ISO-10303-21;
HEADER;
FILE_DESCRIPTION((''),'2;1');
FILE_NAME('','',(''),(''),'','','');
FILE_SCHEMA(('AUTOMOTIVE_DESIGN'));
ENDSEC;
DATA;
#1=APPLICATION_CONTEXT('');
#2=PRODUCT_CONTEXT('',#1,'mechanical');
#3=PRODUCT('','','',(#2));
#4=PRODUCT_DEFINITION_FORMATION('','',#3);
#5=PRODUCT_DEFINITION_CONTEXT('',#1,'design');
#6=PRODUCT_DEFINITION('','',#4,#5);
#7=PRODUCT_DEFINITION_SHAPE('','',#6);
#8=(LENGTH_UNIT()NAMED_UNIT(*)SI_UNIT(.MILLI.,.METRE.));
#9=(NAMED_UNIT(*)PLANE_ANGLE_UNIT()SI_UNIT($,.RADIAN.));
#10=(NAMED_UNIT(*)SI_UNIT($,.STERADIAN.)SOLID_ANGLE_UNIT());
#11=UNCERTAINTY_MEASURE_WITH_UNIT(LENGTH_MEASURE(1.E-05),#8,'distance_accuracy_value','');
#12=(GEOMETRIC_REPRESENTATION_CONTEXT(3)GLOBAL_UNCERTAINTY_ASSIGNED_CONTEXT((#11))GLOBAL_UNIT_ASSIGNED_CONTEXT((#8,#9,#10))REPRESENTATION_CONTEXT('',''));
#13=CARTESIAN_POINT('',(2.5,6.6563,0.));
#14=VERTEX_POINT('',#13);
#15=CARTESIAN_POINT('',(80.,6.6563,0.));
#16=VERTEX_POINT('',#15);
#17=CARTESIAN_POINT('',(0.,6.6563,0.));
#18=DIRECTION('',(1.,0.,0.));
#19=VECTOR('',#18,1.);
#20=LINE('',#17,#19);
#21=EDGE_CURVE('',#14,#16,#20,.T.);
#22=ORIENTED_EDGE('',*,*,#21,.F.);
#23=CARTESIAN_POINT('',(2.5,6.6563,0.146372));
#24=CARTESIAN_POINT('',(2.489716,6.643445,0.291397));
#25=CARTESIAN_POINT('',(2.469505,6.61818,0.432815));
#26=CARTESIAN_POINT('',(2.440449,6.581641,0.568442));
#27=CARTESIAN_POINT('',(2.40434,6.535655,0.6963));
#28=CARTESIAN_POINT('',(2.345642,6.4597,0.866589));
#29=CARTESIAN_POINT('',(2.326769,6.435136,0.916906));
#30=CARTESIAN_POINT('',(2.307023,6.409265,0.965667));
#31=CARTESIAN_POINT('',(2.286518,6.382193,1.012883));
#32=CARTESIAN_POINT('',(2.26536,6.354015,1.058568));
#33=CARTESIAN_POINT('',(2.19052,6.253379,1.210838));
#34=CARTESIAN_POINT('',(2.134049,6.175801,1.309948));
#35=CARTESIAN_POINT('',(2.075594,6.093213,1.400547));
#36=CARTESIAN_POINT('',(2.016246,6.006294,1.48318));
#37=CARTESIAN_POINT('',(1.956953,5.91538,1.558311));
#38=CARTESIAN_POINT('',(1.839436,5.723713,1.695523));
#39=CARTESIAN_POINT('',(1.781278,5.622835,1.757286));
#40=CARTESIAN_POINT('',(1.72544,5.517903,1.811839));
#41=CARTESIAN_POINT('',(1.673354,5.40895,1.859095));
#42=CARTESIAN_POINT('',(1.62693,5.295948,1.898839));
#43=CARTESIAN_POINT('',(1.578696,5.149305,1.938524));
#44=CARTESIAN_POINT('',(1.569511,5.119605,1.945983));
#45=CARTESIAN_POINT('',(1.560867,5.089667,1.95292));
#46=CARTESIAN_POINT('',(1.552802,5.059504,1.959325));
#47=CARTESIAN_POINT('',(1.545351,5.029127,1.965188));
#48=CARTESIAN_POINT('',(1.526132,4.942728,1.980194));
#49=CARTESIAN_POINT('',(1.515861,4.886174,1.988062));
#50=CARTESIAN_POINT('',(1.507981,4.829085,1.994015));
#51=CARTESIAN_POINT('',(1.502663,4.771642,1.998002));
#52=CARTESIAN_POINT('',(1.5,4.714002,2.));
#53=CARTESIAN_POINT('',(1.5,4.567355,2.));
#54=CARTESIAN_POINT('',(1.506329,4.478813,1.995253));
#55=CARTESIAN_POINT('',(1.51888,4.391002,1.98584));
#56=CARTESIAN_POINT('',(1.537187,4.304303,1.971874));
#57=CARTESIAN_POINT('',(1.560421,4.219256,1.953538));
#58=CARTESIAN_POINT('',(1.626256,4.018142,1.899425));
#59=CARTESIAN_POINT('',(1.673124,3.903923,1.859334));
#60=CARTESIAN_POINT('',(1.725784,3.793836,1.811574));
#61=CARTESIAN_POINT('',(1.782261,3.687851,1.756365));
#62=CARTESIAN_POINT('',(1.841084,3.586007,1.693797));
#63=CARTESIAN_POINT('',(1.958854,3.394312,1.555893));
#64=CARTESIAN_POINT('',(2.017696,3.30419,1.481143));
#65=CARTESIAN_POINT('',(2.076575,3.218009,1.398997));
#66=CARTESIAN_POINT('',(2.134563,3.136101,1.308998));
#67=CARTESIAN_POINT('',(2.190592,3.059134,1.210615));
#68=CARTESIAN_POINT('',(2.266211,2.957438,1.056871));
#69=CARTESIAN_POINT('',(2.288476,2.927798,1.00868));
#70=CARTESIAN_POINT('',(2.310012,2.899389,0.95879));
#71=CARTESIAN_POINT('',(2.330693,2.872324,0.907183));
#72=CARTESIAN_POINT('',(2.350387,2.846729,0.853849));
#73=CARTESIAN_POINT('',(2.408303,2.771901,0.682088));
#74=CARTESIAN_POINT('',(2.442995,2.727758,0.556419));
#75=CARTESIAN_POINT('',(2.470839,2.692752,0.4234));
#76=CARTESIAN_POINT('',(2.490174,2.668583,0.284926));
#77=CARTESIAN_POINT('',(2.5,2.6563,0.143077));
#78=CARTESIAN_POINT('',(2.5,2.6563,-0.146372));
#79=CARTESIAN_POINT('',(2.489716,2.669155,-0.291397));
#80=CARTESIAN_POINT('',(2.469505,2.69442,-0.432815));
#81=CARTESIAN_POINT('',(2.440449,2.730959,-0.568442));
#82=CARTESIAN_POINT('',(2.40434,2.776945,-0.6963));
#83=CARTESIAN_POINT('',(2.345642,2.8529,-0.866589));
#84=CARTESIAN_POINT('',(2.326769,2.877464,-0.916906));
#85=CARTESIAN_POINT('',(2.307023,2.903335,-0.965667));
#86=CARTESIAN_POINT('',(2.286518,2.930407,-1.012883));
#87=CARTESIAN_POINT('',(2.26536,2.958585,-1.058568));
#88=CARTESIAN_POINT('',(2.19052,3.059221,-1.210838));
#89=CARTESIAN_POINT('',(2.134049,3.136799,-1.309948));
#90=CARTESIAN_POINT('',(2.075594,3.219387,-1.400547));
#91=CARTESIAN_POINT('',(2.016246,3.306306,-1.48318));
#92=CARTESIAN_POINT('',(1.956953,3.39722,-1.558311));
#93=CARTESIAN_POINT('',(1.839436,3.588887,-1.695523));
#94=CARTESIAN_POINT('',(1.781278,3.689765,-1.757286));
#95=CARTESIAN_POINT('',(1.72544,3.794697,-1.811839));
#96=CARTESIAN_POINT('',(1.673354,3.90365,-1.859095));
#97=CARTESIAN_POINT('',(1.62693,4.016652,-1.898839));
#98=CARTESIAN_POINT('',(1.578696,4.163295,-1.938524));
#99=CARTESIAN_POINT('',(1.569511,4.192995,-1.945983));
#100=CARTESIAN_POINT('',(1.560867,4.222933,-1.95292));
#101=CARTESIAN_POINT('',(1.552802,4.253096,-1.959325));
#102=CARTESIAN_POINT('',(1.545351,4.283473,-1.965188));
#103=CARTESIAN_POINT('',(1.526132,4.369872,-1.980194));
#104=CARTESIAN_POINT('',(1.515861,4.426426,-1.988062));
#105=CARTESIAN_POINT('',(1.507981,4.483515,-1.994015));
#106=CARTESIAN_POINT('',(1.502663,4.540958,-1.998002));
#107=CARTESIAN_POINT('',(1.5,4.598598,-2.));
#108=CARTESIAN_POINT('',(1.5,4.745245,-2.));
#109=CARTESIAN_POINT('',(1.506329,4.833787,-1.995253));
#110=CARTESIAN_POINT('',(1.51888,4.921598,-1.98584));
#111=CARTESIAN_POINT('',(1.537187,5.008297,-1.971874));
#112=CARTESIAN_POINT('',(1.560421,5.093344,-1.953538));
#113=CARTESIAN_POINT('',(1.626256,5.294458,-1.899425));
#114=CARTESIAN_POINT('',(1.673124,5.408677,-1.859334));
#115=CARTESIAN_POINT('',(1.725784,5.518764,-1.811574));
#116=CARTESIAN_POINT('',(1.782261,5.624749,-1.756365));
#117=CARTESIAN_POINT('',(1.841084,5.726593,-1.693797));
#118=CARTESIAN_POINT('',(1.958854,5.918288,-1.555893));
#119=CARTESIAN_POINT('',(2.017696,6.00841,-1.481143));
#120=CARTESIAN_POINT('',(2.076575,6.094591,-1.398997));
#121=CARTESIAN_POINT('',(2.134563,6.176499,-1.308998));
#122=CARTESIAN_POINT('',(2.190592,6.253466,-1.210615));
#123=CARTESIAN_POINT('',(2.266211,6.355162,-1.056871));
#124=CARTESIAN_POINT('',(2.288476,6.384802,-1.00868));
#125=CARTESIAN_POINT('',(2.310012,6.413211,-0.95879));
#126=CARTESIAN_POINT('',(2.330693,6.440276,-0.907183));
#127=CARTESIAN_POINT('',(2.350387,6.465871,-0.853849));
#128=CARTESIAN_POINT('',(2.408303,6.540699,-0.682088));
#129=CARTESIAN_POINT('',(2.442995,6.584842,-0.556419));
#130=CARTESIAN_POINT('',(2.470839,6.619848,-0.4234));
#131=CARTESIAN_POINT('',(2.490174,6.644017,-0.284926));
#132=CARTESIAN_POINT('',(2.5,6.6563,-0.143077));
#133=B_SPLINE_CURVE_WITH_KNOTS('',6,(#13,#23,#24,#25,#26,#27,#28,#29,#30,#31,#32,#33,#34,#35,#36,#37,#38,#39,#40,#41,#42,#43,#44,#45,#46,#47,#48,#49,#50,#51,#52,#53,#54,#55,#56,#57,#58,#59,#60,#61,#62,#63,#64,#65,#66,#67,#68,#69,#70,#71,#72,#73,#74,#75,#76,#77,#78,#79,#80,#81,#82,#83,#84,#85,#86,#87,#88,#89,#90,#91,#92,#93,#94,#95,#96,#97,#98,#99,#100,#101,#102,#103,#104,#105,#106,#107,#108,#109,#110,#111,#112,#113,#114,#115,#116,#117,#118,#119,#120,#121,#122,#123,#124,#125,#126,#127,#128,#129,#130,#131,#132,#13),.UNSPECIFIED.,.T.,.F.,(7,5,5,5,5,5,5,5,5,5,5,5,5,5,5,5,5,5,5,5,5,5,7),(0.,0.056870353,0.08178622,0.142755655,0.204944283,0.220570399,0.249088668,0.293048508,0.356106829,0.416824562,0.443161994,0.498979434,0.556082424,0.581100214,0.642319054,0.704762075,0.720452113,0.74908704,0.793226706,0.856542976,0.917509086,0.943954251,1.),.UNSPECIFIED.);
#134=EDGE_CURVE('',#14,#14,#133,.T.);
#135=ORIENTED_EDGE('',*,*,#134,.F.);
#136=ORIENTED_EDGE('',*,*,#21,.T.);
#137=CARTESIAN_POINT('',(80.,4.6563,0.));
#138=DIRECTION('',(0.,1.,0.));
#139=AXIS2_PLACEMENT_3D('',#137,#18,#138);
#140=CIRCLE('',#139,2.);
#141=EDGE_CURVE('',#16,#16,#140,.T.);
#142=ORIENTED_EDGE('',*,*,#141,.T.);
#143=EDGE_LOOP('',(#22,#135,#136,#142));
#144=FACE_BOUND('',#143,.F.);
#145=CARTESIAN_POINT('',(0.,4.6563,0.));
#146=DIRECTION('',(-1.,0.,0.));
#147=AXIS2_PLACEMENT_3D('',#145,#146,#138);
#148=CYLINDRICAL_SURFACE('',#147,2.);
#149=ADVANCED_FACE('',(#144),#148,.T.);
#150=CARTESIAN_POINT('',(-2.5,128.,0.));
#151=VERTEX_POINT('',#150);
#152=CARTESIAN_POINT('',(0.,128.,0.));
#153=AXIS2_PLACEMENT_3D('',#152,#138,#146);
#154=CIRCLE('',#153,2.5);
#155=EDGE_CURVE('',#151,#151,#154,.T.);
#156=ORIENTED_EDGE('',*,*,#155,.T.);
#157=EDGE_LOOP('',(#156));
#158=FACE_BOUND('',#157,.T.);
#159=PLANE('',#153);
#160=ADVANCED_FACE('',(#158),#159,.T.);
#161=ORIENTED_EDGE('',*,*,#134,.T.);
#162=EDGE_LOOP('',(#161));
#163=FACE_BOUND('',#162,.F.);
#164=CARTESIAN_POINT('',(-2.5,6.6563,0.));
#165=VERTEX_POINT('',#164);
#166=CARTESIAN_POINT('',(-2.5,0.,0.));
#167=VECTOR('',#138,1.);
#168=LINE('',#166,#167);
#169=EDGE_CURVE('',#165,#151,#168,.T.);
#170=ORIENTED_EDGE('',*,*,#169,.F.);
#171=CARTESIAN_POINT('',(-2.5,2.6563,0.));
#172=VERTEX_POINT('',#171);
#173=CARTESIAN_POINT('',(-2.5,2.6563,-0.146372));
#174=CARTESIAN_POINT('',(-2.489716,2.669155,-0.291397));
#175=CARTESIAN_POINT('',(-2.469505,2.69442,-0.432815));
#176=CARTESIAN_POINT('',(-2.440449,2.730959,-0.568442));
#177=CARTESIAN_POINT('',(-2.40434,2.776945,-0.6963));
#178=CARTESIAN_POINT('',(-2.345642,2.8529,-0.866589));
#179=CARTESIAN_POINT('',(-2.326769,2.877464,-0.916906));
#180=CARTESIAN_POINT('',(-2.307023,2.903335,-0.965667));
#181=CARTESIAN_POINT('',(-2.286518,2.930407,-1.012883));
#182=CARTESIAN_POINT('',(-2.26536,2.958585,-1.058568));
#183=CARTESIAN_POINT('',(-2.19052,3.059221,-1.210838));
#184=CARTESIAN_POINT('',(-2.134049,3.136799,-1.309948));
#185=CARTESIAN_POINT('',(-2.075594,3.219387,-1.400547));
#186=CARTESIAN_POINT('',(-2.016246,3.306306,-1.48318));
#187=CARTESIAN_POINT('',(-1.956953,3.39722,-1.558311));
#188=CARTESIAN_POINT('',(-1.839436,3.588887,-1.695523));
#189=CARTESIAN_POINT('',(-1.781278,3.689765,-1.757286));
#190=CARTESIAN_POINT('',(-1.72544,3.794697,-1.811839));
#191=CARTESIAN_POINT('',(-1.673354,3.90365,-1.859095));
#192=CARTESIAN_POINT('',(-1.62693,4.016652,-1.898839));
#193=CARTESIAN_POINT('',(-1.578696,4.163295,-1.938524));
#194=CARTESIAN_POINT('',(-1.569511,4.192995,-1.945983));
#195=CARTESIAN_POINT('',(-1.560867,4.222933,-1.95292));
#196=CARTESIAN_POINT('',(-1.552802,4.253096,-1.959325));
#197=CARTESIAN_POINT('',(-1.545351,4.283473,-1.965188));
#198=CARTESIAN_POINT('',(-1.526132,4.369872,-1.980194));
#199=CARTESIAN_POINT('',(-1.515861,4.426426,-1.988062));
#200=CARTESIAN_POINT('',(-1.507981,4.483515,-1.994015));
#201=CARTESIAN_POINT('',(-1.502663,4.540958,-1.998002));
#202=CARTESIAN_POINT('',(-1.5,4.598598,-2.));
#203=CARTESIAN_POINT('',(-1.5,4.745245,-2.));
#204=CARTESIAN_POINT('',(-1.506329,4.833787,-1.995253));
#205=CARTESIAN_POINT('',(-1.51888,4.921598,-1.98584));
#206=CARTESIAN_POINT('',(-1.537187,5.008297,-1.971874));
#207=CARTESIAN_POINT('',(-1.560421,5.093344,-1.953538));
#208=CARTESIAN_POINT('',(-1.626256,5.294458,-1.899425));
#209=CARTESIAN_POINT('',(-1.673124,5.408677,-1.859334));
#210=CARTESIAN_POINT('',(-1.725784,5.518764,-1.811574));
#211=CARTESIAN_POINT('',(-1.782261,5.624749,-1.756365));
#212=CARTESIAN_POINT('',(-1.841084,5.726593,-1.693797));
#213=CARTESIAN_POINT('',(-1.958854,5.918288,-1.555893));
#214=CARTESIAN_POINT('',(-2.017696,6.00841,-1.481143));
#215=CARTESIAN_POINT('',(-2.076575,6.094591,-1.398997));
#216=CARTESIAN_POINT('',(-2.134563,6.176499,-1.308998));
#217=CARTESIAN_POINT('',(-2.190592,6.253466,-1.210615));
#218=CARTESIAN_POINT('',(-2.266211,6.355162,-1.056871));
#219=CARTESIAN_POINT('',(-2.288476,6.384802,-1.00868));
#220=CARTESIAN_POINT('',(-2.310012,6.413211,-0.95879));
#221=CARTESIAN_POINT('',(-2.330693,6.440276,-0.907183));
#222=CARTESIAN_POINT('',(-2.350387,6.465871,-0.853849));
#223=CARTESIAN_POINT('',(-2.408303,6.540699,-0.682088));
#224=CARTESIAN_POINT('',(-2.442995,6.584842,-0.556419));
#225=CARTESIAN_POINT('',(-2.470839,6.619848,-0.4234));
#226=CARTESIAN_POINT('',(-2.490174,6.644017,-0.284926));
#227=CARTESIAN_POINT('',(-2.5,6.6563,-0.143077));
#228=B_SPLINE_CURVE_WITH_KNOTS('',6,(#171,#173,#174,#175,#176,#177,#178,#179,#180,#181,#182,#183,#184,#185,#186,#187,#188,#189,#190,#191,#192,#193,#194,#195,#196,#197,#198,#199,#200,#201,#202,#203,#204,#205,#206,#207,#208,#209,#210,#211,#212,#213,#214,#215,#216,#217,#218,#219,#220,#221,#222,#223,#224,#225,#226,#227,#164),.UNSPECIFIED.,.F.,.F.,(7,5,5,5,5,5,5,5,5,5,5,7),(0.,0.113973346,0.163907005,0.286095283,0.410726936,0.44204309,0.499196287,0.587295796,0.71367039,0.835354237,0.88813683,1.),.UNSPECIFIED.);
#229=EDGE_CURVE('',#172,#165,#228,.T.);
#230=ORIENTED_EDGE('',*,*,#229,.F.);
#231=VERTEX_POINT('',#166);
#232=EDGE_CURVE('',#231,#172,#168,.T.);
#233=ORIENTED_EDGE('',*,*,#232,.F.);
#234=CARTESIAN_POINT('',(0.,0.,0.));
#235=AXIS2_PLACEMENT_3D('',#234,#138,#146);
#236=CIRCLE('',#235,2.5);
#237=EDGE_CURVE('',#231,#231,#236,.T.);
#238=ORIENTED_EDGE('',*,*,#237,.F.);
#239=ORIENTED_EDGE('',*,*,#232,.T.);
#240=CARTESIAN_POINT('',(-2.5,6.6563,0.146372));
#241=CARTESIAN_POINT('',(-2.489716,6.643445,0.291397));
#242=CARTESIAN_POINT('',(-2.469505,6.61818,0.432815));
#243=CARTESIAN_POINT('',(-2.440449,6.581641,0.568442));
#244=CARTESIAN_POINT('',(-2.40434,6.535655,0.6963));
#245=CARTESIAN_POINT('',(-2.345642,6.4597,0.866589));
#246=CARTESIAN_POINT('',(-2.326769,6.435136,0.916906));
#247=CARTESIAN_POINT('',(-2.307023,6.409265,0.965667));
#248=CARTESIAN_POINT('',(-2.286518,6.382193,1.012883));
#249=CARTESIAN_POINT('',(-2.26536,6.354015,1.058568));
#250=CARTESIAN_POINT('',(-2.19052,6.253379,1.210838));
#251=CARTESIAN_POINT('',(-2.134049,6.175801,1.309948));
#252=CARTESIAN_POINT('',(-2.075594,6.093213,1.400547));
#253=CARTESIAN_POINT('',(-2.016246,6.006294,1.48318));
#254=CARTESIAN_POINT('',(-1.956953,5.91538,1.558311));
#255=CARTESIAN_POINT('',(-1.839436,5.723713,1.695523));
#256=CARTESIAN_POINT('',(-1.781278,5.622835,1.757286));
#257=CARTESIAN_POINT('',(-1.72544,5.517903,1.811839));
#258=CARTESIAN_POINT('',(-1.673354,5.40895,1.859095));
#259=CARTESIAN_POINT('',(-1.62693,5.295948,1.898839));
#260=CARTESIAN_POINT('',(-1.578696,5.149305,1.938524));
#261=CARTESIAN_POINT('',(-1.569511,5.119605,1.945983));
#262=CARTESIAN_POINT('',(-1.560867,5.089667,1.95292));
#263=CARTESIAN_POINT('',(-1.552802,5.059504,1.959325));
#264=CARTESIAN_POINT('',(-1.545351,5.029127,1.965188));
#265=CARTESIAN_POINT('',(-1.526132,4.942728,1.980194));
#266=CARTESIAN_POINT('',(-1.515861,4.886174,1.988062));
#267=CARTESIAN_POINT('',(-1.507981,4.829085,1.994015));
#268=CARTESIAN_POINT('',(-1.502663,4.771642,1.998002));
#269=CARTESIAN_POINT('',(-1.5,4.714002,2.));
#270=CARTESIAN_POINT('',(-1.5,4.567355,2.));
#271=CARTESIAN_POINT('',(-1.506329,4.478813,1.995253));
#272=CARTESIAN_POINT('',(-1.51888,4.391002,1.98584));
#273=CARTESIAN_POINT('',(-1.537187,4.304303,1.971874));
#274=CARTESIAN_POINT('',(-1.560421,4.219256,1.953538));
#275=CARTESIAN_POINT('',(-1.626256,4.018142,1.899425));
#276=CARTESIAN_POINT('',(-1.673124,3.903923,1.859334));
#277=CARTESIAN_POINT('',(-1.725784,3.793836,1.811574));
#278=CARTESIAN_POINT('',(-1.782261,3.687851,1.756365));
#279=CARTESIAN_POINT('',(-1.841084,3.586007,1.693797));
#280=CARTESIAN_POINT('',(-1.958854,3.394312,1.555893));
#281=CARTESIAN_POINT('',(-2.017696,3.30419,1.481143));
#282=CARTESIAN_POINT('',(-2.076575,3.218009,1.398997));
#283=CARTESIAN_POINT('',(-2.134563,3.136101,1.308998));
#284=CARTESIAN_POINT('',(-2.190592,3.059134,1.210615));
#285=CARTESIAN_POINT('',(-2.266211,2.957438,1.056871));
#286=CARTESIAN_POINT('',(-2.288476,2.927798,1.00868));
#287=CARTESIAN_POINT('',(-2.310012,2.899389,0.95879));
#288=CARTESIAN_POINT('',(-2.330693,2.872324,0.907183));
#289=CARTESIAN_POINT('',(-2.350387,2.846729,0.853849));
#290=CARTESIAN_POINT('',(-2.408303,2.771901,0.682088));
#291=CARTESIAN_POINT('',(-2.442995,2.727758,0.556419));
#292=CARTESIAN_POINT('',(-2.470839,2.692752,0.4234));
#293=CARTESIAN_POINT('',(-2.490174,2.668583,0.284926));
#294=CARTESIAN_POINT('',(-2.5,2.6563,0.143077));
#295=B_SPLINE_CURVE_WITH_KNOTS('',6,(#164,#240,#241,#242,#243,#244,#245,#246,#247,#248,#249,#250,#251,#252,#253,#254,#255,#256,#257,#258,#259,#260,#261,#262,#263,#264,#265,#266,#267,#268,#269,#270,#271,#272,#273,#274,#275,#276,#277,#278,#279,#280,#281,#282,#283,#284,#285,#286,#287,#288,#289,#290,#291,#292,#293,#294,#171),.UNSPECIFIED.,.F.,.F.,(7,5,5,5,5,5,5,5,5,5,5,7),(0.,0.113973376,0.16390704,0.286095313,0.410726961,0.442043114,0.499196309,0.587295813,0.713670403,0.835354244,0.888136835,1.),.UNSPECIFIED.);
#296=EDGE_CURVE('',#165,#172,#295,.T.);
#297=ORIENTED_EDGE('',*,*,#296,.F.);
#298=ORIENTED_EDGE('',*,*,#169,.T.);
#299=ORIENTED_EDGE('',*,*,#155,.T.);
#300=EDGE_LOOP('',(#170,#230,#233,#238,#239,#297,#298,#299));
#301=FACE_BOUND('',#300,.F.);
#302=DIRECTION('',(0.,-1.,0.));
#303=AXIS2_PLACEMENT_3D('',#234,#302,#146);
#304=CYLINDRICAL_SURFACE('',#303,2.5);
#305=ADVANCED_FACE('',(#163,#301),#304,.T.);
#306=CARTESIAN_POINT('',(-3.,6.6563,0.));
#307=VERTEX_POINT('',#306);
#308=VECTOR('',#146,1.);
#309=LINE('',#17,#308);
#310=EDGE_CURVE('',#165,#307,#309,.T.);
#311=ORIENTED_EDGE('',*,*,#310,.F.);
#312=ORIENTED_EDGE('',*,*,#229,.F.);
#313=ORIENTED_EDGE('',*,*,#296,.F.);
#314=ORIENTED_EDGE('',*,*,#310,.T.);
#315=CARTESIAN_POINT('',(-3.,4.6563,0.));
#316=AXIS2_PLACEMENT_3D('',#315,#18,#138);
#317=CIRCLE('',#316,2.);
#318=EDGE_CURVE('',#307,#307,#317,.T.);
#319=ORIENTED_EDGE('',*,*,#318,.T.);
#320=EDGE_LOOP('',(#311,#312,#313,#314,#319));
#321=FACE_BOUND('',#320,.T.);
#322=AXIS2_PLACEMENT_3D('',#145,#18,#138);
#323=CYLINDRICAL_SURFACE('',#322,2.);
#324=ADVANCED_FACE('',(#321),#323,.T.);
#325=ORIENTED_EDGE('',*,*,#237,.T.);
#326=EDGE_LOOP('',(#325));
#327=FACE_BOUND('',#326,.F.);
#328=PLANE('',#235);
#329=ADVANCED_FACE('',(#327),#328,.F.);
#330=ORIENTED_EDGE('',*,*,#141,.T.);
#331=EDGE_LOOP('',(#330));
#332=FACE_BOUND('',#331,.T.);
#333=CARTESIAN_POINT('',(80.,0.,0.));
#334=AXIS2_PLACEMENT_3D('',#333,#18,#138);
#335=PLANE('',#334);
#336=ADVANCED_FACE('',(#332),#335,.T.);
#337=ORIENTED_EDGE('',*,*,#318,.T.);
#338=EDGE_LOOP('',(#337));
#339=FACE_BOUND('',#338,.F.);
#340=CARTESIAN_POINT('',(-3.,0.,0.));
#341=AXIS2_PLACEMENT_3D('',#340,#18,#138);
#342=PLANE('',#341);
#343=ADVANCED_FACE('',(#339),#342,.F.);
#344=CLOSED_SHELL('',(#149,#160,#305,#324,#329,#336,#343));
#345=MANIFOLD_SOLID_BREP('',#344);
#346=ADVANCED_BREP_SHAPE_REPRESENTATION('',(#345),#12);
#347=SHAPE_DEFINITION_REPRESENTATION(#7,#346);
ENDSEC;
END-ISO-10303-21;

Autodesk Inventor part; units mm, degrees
ref_plane "YZ Plane" through (0, 0, 0) normal (1, 0, 0) x (0, 1, 0)
ref_plane "XZ Plane" through (0, 0, 0) normal (0, 1, 0) x (-1, 0, 0)
ref_plane "XY Plane" through (0, 0, 0) normal (0, 0, 1) x (1, 0, 0)
sketch "Sketch1" plane through (0, 0, 0) normal (0, 1, 0) x (-1, 0, 0)
  circle A0 centre (0, 0) radius 2.5
  dimension "d0" = 5
extrude "Extrusion1" add sketch "Sketch1" along normal blind 128
sketch "Sketch2" plane through (0, 0, 0) normal (1, 0, 0) x (0, 1, 0)
  circle A0 centre (4.6563, 0) radius 2
  point P0 (0, 0)
  dimension "d3" = 4
extrude "Extrusion2" add sketch "Sketch2" along normal blind 80 and the other way blind 3
properties part number "AssemblyAnalysis"
